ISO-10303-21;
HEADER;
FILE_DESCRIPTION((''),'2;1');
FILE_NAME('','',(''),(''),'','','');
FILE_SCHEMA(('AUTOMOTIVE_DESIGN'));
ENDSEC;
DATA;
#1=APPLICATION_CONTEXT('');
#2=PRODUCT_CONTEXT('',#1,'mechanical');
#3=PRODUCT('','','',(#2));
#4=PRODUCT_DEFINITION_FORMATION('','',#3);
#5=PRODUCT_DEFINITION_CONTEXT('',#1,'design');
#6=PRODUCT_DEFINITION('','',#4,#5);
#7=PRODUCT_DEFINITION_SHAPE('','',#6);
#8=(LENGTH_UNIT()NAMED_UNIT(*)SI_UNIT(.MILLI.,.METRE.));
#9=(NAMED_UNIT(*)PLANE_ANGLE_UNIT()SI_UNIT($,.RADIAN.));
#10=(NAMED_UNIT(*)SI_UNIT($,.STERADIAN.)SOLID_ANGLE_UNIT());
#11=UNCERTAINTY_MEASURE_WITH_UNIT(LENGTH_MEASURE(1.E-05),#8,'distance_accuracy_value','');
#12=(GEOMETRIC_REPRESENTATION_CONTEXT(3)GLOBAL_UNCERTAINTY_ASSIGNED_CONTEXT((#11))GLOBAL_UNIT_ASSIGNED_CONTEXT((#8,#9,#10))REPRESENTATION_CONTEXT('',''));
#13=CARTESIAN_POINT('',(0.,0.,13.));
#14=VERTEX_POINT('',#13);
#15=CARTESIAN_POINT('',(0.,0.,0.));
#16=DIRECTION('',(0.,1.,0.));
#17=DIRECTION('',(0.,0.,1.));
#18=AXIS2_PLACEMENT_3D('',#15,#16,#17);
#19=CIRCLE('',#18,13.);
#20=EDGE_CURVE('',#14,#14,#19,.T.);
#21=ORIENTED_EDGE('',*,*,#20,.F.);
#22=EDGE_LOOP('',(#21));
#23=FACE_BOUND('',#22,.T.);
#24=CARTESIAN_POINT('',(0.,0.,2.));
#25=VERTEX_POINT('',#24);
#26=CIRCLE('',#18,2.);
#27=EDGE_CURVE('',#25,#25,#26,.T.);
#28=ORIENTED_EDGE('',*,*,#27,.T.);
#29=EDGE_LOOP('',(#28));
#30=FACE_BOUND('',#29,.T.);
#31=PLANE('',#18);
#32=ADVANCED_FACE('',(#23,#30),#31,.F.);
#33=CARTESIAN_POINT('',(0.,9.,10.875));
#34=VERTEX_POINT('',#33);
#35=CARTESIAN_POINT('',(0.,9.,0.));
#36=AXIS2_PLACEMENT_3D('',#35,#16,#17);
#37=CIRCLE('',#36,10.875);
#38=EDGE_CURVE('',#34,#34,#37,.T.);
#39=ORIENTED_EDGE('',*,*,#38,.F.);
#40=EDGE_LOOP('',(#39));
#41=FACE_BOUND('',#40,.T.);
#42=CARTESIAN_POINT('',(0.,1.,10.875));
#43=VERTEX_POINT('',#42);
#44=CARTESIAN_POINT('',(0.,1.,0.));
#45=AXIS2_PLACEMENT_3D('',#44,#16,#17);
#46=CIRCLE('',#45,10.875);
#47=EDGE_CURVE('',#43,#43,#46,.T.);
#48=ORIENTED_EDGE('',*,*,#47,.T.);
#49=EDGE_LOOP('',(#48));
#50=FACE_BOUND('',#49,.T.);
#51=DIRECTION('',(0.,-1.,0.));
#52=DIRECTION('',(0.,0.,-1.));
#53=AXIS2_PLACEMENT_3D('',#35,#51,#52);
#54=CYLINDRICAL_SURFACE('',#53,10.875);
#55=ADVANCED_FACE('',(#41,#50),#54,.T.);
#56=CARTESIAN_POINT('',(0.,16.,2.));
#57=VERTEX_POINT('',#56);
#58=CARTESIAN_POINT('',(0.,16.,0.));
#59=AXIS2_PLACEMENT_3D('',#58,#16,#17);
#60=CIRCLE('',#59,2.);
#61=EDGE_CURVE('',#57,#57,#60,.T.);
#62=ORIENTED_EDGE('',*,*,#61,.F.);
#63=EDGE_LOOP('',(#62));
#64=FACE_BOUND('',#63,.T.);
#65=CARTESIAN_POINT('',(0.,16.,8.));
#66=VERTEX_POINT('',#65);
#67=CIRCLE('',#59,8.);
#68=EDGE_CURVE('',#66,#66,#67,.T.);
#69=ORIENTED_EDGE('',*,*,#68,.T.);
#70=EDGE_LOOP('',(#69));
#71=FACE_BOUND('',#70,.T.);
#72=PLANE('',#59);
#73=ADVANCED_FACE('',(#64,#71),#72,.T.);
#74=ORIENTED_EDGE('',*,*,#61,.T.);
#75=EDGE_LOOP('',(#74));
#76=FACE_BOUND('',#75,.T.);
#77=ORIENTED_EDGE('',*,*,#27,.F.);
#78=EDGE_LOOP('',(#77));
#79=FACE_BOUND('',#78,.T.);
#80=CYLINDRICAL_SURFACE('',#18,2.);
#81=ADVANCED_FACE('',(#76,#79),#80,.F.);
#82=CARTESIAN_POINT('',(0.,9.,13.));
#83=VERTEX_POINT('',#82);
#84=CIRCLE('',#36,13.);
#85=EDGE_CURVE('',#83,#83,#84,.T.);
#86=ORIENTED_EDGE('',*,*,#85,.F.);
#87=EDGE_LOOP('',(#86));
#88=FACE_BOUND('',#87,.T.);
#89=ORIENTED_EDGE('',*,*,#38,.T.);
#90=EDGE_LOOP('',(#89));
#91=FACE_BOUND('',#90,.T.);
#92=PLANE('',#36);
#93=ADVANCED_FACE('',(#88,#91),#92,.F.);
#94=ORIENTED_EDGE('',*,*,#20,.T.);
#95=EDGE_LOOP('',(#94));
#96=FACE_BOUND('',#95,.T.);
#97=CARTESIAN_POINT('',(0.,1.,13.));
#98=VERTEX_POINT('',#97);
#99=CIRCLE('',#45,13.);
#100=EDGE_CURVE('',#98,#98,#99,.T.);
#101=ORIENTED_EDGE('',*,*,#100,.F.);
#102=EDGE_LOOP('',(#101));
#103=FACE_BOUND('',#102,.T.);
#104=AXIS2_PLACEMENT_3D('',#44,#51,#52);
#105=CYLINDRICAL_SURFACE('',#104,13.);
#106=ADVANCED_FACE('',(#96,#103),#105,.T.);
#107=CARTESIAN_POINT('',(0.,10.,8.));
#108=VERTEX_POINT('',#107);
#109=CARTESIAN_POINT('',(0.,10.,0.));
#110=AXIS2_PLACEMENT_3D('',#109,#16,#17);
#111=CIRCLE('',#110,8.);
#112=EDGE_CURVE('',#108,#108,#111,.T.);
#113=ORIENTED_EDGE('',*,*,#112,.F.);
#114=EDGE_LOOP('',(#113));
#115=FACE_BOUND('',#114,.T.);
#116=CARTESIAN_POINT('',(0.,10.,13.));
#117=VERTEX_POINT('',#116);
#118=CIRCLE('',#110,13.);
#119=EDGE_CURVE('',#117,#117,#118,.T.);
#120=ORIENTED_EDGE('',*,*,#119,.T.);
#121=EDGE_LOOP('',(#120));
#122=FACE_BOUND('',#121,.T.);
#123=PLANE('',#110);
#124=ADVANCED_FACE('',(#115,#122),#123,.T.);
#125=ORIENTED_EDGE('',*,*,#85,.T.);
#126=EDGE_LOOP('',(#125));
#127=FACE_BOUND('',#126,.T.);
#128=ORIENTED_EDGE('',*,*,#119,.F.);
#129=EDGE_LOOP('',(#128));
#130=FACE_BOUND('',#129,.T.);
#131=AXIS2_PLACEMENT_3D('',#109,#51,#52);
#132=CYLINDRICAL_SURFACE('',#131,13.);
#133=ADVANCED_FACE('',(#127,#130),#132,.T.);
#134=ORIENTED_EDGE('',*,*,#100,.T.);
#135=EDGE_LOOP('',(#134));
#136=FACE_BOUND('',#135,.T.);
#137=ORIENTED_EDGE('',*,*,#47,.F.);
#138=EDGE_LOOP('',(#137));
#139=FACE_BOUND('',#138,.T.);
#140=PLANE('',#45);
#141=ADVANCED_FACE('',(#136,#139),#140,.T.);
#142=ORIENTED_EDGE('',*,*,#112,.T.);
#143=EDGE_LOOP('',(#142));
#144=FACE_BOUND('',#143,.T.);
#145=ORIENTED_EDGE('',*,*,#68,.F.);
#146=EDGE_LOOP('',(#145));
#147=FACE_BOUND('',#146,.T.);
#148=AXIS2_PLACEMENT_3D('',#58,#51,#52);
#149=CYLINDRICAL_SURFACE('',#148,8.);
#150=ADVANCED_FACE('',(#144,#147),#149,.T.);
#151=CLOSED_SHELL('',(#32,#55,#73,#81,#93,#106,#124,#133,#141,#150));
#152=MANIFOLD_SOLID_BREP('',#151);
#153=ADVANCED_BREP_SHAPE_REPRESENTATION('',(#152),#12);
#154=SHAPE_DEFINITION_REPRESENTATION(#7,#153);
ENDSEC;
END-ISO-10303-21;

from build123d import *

# Parameters (mm, degrees)
ESQUISSE1_R      = 13
EXTRUSION1_DEPTH = 1
ESQUISSE2_R      = 10.875
EXTRUSION2_DEPTH = 8
ESQUISSE3_R      = 13
EXTRUSION3_DEPTH = 1
ESQUISSE4_R      = 8
EXTRUSION4_DEPTH = 6
ESQUISSE5_R      = 2
EXTRUSION5_DEPTH = 25.372115214


with BuildPart() as part:
    # Esquisse1 → Extrusion1 (new body)
    with BuildSketch(Plane(origin=(0, 0, 0), x_dir=(1, 0, 0), z_dir=(0, 1, 0))):
        with Locations(Location((0, 0, 0), (0, 0, 270))):
            Circle(ESQUISSE1_R)
    extrude(amount=EXTRUSION1_DEPTH)

    # Esquisse2 → Extrusion2 (add)
    with BuildSketch(Plane(origin=(0, 1, 0), x_dir=(-1, 0, 0), z_dir=(0, 1, 0))):
        with Locations(Location((0, 0, 0), (0, 0, 90))):
            Circle(ESQUISSE2_R)
    extrude(amount=EXTRUSION2_DEPTH)

    # Esquisse3 → Extrusion3 (add)
    with BuildSketch(Plane(origin=(0, 9, 0), x_dir=(-1, 0, 0), z_dir=(0, 1, 0))):
        with Locations(Location((0, 0, 0), (0, 0, 90))):
            Circle(ESQUISSE3_R)
    extrude(amount=EXTRUSION3_DEPTH)

    # Esquisse4 → Extrusion4 (add)
    with BuildSketch(Plane(origin=(0, 10, 0), x_dir=(-1, 0, 0), z_dir=(0, 1, 0))):
        with Locations(Location((0, 0, 0), (0, 0, 90))):
            Circle(ESQUISSE4_R)
    extrude(amount=EXTRUSION4_DEPTH)

    # Esquisse5 → Extrusion5 (cut, through all)
    with BuildSketch(Plane(origin=(0, 16, 0), x_dir=(-1, 0, 0), z_dir=(0, 1, 0))):
        with Locations(Location((0, 0, 0), (0, 0, 90))):
            Circle(ESQUISSE5_R)
    extrude(amount=-EXTRUSION5_DEPTH, mode=Mode.SUBTRACT)


solid = part.part
